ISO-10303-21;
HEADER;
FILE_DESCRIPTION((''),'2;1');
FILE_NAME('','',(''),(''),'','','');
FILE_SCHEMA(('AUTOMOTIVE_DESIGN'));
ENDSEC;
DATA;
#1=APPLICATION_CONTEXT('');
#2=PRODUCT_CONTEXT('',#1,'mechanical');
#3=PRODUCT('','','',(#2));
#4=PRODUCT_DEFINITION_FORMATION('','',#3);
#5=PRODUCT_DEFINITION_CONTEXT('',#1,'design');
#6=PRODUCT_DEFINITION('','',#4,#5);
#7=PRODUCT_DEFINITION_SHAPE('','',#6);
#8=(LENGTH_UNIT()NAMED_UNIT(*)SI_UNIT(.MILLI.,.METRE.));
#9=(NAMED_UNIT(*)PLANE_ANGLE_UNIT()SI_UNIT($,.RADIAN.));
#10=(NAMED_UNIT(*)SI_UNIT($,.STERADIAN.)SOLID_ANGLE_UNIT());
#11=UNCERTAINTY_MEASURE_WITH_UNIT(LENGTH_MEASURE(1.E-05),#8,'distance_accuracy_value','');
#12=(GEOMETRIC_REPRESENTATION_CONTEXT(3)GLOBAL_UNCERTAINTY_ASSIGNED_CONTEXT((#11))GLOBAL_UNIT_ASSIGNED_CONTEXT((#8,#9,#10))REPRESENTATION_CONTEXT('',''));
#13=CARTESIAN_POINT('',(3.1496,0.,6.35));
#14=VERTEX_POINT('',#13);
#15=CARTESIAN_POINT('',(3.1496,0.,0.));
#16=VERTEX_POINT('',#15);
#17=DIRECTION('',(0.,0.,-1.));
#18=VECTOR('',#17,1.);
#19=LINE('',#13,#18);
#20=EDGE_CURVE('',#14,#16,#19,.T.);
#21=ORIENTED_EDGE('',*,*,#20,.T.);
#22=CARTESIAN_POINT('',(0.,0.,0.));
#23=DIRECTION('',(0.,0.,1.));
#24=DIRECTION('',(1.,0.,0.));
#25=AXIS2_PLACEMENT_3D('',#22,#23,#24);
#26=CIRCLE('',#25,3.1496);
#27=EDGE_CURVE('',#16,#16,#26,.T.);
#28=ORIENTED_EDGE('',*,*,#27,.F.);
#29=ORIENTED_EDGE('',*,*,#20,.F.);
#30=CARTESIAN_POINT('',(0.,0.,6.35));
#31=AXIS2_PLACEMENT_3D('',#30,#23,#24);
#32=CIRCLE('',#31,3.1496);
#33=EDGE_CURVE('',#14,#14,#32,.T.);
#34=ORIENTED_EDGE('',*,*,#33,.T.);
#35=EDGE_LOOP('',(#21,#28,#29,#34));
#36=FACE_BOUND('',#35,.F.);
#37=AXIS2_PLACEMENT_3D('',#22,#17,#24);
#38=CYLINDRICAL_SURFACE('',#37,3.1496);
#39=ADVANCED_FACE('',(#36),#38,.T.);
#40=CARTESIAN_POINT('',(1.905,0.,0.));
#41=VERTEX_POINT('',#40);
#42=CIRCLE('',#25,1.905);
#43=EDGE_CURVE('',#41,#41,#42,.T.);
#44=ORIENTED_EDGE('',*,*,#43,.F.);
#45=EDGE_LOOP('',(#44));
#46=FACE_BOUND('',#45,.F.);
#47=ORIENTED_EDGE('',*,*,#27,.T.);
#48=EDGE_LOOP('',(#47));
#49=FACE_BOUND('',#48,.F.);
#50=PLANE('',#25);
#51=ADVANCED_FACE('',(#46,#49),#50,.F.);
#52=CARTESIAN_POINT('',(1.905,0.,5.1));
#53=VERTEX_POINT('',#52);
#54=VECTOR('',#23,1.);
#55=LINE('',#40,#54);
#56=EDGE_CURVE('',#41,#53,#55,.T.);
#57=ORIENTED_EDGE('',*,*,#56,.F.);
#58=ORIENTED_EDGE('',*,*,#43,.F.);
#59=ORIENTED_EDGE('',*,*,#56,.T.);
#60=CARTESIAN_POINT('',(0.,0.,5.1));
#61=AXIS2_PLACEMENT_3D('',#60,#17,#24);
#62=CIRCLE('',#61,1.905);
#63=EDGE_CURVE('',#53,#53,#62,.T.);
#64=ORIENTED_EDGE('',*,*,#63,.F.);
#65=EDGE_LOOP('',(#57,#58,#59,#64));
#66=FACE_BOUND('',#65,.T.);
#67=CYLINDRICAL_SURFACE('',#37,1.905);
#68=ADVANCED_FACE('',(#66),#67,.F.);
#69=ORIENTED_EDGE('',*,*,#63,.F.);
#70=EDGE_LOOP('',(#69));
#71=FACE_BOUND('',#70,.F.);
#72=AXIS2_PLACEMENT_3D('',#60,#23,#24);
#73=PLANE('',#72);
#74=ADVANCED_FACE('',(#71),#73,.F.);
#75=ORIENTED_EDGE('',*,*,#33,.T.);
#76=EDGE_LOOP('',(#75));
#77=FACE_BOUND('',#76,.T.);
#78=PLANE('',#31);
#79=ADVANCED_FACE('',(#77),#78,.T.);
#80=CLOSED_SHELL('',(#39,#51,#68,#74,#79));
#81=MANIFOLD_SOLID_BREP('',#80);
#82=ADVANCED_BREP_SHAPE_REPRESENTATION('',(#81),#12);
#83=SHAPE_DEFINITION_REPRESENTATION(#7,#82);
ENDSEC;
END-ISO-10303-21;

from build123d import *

# Parameters (mm, degrees)
F0_R     = 3.1496
F0_R_2   = 1.905
F1_DEPTH = 1.778
F2_DEPTH = 6.35
F3_R     = 3.070911
F4_DEPTH = 1.25


with BuildPart() as f1:
    # F0 (on Top) → F1 (new body)
    with BuildSketch(Plane.XY):
        Circle(F0_R)
        Circle(F0_R_2, mode=Mode.SUBTRACT)
    extrude(amount=F1_DEPTH)

    # F0 (on Top) → F2 (join)
    with BuildSketch(Plane.XY):
        Circle(F0_R)
        Circle(F0_R_2, mode=Mode.SUBTRACT)
    extrude(amount=F2_DEPTH)

    # F3 (on face) → F4 (join)
    with BuildSketch(Plane.XY.offset(6.35)):
        Circle(F3_R)
    extrude(amount=-F4_DEPTH)


solid = f1.part
